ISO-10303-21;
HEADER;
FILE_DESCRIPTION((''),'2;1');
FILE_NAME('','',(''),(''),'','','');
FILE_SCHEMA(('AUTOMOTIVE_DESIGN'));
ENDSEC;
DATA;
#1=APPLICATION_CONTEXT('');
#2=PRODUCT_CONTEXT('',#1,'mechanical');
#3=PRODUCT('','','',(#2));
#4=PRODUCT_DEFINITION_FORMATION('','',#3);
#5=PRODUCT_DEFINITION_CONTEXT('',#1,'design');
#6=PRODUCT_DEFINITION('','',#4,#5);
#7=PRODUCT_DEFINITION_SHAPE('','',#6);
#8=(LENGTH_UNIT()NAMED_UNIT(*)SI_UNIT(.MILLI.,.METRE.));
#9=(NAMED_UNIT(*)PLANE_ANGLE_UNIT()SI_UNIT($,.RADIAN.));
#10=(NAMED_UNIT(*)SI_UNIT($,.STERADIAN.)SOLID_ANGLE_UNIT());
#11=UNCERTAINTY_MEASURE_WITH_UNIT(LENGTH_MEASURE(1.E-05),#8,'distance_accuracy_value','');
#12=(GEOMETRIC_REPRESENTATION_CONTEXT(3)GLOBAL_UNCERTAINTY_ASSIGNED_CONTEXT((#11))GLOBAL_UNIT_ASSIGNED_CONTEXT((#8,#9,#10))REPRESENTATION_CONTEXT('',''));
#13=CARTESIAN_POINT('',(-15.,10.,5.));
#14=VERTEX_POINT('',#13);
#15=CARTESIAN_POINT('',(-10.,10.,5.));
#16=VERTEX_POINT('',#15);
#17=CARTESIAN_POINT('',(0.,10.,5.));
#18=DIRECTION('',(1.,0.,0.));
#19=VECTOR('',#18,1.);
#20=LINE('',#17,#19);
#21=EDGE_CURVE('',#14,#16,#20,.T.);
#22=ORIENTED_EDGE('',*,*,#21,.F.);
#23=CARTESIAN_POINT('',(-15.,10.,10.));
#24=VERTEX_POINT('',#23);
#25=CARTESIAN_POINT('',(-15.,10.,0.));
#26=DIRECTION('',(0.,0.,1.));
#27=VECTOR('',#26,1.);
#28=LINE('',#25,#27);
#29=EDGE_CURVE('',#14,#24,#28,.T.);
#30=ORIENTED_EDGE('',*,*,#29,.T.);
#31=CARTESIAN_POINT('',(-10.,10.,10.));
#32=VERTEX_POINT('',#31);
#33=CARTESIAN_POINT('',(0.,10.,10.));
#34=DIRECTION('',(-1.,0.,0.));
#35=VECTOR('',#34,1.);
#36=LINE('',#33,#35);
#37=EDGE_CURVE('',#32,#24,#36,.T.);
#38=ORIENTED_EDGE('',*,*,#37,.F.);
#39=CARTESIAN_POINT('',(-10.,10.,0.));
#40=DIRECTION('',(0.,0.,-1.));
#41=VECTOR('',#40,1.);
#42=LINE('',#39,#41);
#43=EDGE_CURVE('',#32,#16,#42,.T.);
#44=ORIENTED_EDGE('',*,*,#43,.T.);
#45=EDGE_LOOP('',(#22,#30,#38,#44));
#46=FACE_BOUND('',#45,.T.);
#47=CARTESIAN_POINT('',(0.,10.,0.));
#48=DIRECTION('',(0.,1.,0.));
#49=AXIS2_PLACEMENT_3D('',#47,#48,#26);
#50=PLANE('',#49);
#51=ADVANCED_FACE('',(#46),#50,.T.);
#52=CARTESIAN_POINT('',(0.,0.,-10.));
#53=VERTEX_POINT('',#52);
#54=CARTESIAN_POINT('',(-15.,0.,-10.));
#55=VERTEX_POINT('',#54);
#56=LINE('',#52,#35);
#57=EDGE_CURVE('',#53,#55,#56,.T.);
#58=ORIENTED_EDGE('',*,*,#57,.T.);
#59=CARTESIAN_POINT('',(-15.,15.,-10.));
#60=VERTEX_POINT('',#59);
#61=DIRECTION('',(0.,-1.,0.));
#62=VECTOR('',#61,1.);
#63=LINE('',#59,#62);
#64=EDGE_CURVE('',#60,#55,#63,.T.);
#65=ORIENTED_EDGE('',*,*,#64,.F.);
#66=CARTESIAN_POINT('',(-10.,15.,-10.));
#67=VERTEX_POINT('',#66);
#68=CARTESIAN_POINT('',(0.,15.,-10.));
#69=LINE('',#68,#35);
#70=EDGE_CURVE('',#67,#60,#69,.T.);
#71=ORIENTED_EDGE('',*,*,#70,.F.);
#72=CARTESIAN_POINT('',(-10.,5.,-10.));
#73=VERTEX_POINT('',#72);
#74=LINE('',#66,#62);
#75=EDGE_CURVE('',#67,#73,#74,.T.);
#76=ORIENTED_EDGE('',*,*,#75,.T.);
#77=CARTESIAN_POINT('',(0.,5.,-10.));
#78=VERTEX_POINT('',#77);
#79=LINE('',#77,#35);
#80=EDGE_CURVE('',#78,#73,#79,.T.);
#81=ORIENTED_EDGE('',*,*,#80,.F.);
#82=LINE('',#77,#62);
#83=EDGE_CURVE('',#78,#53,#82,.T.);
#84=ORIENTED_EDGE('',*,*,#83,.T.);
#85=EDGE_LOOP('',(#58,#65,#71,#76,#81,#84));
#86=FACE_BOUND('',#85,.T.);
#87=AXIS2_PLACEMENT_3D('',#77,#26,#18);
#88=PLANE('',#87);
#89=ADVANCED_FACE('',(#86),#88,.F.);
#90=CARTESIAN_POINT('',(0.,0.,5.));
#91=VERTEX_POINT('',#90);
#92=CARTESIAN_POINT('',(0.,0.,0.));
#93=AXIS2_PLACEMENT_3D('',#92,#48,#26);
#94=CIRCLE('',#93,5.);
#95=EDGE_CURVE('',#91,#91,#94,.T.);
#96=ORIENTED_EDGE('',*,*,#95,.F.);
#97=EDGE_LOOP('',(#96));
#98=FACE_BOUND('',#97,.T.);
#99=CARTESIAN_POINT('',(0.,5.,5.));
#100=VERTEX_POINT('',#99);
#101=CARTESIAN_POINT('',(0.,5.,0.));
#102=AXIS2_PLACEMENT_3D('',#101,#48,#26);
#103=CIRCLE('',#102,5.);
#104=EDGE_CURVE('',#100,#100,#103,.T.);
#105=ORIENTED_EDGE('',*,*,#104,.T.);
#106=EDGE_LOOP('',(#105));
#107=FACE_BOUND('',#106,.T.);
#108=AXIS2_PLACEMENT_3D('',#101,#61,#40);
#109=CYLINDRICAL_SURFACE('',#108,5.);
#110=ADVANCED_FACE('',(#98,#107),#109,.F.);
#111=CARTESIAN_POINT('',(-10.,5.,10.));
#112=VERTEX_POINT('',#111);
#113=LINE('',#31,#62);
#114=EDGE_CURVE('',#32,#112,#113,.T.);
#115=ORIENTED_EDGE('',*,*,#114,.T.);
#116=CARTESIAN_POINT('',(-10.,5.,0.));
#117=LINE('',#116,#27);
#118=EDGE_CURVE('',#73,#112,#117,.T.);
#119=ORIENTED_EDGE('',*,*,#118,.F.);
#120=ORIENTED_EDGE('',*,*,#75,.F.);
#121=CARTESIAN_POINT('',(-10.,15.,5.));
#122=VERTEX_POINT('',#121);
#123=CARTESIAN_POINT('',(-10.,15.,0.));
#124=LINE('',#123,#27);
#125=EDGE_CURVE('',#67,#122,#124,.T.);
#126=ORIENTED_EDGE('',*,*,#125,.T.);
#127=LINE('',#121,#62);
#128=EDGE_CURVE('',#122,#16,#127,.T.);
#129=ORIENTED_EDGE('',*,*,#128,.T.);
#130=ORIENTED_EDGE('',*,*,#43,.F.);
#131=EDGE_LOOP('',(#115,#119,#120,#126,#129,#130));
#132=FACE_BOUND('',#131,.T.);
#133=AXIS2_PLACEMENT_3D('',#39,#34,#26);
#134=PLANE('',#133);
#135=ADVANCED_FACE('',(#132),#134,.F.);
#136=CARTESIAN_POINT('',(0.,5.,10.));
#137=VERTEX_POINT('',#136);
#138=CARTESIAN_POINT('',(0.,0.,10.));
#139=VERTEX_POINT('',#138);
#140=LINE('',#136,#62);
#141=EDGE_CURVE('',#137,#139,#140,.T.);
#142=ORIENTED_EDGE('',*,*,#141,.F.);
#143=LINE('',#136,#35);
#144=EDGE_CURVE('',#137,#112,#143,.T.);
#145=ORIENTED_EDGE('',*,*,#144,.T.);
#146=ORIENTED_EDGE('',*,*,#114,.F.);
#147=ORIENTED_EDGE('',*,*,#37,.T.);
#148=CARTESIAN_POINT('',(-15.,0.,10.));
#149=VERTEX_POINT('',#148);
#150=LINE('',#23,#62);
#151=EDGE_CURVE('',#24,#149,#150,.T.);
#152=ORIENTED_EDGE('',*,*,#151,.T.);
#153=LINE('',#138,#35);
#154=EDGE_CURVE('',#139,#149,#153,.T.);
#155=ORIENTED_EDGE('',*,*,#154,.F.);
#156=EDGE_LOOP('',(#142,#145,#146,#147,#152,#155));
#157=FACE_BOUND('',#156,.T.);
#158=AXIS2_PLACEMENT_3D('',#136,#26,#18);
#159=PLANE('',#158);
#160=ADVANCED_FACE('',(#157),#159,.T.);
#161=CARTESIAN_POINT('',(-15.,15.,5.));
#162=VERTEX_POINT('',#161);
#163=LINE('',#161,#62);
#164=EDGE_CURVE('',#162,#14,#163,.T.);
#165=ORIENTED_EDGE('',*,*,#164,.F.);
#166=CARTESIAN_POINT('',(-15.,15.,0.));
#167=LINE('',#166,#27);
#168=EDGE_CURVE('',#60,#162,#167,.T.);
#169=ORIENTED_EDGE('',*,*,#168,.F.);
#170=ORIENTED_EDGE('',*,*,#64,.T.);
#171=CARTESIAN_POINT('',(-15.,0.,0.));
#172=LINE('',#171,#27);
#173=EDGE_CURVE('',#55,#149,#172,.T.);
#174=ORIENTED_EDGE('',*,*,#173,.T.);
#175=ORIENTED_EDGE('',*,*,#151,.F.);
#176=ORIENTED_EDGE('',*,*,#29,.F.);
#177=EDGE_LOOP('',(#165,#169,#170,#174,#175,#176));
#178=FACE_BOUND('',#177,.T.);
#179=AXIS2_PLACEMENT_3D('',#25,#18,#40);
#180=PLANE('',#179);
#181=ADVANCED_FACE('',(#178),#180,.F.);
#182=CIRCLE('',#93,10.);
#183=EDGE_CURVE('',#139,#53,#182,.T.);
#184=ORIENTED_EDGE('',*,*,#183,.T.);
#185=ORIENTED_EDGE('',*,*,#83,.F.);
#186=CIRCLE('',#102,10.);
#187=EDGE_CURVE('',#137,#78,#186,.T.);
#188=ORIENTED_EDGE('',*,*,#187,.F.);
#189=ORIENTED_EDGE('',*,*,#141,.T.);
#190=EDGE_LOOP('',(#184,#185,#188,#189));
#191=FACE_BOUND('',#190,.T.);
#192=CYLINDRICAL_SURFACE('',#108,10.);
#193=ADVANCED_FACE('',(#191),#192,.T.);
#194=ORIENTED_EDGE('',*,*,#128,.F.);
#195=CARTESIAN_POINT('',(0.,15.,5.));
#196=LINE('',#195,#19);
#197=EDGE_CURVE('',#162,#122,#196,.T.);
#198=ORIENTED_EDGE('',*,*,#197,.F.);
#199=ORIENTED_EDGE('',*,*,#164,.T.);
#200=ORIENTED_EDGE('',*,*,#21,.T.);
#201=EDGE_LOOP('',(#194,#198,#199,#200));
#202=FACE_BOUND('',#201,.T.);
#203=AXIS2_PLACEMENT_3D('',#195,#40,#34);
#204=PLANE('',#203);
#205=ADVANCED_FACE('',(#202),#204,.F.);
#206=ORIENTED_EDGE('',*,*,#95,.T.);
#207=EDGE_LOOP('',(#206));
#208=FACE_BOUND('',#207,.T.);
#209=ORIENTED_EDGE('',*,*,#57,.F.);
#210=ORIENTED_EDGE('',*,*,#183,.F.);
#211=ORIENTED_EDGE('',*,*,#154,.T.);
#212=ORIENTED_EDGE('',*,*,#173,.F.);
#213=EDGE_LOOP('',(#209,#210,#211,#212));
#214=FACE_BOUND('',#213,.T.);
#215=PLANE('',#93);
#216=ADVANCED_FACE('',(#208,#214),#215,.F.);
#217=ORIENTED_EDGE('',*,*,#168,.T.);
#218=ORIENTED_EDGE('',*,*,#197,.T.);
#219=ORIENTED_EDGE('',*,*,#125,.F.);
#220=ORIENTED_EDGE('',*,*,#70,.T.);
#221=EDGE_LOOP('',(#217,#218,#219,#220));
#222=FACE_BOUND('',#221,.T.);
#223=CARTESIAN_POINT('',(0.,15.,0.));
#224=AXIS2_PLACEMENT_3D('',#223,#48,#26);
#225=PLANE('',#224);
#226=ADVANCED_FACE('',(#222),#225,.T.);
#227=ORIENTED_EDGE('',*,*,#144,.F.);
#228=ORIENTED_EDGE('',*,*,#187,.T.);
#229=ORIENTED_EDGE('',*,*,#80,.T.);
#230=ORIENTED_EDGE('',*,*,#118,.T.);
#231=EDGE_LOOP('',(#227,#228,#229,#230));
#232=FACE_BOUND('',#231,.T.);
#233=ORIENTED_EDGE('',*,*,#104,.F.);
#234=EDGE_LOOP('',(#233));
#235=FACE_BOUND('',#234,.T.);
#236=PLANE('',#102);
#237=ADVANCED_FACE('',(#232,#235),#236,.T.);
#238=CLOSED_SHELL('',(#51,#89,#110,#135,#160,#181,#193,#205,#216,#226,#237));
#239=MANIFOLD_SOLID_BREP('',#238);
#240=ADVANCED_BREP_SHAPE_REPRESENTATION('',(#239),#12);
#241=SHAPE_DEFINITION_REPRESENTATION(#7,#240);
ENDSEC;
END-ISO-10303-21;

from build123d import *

# Parameters (mm, degrees)
SKETCH_1_R      = 5
EXTRUDE_1_DEPTH = 5
SKETCH_1_3_W    = 5
SKETCH_1_3_H    = 5
EXTRUDE_2_DEPTH = 10
SKETCH_1_4_W    = 5
SKETCH_1_4_H    = 15
EXTRUDE_3_DEPTH = 15


with BuildPart() as part:
    # 草圖1 → 填料-伸長1 (new body)
    with BuildSketch(Plane(origin=(0, 0, 0), x_dir=(1, 0, 0), z_dir=(0, 1, 0))):
        with BuildLine():
            ThreePointArc((0, -10), (10, 0), (0, 10))
            Line((0, 10), (-10, 10))
            Line((-10, 10), (-10, -5))
            Line((-10, -5), (-10, -10))
            Line((-10, -10), (0, -10))
        make_face()
        Circle(SKETCH_1_R, mode=Mode.SUBTRACT)
    extrude(amount=EXTRUDE_1_DEPTH)

    # 草圖1<3> → 填料-伸長2 (add)
    with BuildSketch(Plane(origin=(0, 0, 0), x_dir=(1, 0, 0), z_dir=(0, 1, 0))):
        with Locations((-12.5, -7.5)):
            Rectangle(SKETCH_1_3_W, SKETCH_1_3_H)
    extrude(amount=EXTRUDE_2_DEPTH)

    # 草圖1<4> → 填料-伸長3 (add)
    with BuildSketch(Plane(origin=(0, 0, 0), x_dir=(1, 0, 0), z_dir=(0, 1, 0))):
        with Locations((-12.5, 2.5)):
            Rectangle(SKETCH_1_4_W, SKETCH_1_4_H)
    extrude(amount=EXTRUDE_3_DEPTH)


solid = part.part
